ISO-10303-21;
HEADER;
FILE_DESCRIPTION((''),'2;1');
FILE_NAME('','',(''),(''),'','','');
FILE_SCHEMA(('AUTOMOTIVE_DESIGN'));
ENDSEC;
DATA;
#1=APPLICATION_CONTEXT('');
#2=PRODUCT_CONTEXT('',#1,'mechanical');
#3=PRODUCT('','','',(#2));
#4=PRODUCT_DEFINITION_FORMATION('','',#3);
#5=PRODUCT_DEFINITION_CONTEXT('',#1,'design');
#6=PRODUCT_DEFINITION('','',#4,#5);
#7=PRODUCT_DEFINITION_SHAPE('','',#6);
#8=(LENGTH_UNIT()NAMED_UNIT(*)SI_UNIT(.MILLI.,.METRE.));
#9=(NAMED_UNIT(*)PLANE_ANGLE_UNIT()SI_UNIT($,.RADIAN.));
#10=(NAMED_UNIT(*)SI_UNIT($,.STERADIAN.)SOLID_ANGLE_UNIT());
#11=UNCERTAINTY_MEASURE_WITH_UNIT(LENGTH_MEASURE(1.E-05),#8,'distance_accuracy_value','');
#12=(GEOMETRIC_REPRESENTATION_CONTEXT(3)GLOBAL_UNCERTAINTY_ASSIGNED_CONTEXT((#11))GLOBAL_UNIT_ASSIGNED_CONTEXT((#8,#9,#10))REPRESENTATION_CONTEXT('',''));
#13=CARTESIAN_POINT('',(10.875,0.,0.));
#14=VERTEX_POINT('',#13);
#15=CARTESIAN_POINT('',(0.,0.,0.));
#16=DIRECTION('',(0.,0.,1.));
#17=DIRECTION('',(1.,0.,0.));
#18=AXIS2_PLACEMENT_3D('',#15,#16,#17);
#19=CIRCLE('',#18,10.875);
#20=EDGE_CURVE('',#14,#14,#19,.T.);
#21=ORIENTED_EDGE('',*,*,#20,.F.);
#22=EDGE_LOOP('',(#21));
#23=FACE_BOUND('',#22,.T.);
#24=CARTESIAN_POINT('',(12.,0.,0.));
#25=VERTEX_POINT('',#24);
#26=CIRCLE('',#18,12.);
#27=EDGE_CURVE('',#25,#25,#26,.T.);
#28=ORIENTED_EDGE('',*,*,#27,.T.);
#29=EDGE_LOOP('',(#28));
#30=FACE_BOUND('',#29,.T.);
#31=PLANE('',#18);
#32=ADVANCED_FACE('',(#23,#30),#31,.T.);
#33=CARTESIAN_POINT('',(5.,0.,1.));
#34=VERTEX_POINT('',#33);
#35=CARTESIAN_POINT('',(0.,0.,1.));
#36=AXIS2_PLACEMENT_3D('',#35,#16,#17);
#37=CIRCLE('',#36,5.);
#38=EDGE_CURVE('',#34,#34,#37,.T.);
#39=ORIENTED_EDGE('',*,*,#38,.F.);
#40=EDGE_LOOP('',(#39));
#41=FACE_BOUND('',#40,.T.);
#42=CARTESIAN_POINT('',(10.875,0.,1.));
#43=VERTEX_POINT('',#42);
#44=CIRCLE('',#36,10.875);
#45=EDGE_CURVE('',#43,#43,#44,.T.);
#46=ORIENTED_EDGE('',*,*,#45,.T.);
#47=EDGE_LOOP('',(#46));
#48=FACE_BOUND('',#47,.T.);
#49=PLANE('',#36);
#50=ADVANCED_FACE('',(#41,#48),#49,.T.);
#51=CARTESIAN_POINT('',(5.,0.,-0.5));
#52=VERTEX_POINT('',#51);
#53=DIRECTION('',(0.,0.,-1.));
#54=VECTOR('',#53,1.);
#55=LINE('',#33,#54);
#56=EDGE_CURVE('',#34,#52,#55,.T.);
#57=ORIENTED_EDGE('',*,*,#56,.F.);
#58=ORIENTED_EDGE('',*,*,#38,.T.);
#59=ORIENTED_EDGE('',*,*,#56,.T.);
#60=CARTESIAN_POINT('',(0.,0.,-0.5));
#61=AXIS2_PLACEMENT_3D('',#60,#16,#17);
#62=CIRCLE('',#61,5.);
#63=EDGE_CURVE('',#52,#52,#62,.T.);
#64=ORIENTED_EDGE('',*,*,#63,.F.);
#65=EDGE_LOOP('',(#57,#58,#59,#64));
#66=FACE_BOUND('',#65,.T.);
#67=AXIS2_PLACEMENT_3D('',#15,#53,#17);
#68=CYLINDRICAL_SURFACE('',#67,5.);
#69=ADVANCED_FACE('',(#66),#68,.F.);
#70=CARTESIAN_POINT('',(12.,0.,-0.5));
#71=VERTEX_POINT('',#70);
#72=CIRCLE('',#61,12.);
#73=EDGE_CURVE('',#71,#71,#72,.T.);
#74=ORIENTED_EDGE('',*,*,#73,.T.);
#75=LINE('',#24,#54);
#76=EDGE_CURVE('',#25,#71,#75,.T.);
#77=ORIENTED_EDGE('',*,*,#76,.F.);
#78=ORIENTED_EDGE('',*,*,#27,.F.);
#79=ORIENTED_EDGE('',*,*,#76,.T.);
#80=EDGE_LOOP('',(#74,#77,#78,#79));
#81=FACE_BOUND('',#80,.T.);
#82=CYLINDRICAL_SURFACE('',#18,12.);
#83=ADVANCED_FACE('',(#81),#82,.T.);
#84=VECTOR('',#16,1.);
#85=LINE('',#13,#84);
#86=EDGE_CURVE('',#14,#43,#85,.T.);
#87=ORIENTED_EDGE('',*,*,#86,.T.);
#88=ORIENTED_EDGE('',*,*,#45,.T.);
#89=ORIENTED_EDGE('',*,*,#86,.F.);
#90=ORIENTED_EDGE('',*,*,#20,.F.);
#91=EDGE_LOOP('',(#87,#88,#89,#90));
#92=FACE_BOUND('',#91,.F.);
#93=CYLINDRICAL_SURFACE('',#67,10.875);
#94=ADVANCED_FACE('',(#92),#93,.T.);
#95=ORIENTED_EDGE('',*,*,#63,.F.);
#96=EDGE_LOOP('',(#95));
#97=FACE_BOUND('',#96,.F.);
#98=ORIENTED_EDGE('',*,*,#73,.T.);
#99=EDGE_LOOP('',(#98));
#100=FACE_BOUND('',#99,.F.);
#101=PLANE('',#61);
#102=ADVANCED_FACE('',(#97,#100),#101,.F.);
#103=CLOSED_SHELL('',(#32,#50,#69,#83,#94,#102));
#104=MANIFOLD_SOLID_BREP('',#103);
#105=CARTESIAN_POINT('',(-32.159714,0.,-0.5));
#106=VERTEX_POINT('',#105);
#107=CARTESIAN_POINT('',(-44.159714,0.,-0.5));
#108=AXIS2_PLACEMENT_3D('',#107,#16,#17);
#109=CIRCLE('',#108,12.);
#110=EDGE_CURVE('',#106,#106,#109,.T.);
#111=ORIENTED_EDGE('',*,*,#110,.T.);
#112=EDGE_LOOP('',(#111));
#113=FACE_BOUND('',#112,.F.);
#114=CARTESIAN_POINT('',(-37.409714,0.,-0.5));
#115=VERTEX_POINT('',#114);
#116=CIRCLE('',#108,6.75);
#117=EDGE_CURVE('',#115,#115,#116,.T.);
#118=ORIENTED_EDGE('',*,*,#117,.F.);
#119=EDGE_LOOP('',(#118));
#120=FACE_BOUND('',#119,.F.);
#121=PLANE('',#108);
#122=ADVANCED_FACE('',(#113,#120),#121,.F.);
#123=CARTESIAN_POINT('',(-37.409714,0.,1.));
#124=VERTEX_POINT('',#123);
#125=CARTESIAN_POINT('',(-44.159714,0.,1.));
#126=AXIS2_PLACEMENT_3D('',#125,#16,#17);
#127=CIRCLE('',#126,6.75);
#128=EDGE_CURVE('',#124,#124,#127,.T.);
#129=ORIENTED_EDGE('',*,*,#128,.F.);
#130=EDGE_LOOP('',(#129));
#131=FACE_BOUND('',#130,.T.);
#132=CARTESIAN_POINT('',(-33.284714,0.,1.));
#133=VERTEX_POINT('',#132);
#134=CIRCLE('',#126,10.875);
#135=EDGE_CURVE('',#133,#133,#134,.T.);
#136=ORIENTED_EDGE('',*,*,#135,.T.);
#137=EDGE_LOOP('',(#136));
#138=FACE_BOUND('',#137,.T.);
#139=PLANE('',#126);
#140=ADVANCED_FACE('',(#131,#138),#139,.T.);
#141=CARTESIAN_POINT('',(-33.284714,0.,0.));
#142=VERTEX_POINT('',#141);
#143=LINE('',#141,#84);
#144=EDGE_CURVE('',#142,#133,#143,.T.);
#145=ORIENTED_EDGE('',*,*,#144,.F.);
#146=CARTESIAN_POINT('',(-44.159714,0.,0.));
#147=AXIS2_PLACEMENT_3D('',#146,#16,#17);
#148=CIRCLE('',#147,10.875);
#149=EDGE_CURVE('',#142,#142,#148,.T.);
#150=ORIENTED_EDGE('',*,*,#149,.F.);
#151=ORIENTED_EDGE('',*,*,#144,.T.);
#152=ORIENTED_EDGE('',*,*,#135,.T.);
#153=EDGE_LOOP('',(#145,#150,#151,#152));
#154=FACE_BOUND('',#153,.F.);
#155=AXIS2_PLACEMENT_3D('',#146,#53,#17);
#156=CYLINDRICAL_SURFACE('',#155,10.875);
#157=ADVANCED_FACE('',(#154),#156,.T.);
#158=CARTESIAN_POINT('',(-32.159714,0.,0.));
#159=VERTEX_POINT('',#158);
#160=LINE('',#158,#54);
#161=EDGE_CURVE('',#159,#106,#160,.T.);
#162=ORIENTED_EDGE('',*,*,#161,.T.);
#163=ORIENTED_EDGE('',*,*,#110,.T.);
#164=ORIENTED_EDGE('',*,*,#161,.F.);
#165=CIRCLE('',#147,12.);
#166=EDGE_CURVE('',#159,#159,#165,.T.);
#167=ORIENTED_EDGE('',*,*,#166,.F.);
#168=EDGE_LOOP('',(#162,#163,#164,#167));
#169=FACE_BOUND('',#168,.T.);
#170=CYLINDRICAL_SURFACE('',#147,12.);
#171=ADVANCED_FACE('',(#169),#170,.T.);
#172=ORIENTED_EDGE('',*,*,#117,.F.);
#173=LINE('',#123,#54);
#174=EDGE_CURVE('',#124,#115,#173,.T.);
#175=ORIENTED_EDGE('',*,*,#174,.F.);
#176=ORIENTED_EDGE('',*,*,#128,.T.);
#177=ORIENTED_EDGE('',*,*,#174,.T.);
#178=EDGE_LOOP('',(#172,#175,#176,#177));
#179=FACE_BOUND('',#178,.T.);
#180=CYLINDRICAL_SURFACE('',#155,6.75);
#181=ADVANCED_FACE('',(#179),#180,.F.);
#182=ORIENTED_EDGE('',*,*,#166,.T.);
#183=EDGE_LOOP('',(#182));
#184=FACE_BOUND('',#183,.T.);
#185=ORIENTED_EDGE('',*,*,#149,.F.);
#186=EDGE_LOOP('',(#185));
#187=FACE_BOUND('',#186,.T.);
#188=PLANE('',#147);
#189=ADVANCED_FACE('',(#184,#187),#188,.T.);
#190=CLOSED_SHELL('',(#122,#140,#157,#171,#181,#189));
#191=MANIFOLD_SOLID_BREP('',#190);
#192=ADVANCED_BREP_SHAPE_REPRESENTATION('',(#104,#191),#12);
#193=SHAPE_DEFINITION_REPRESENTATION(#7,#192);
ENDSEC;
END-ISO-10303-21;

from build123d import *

# Parameters (mm, degrees)
F0_R     = 12
F0_R_2   = 10.875
F0_R_3   = 5
F1_DEPTH = 0.5
F2_DEPTH = 1
F0_R_4   = 6.75
F3_DEPTH = 0.5
F4_DEPTH = 1


with BuildPart() as f1:
    # F0 (on Top) → F1 (new body)
    with BuildSketch(Plane.XY):
        Circle(F0_R)
        Circle(F0_R_2, mode=Mode.SUBTRACT)
        Circle(F0_R_2)
        Circle(F0_R_3, mode=Mode.SUBTRACT)
    extrude(amount=-F1_DEPTH)

    # F0 (on Top) → F2 (join)
    with BuildSketch(Plane.XY):
        Circle(F0_R_2)
        Circle(F0_R_3, mode=Mode.SUBTRACT)
    extrude(amount=F2_DEPTH)


with BuildPart() as f3:
    # F0 (on Top) → F3 (new body)
    with BuildSketch(Plane.XY):
        with Locations((-44.1597141325, 0)):
            Circle(F0_R)
        with Locations((-44.1597141325, 0)):
            Circle(F0_R_2, mode=Mode.SUBTRACT)
        with Locations((-44.1597141325, 0)):
            Circle(F0_R_2)
        with Locations((-44.1597141325, 0)):
            Circle(F0_R_4, mode=Mode.SUBTRACT)
    extrude(amount=-F3_DEPTH)

    # F0 (on Top) → F4 (join)
    with BuildSketch(Plane.XY):
        with Locations((-44.1597141325, 0)):
            Circle(F0_R_2)
        with Locations((-44.1597141325, 0)):
            Circle(F0_R_4, mode=Mode.SUBTRACT)
    extrude(amount=F4_DEPTH)


solid = Compound([f1.part, f3.part])
